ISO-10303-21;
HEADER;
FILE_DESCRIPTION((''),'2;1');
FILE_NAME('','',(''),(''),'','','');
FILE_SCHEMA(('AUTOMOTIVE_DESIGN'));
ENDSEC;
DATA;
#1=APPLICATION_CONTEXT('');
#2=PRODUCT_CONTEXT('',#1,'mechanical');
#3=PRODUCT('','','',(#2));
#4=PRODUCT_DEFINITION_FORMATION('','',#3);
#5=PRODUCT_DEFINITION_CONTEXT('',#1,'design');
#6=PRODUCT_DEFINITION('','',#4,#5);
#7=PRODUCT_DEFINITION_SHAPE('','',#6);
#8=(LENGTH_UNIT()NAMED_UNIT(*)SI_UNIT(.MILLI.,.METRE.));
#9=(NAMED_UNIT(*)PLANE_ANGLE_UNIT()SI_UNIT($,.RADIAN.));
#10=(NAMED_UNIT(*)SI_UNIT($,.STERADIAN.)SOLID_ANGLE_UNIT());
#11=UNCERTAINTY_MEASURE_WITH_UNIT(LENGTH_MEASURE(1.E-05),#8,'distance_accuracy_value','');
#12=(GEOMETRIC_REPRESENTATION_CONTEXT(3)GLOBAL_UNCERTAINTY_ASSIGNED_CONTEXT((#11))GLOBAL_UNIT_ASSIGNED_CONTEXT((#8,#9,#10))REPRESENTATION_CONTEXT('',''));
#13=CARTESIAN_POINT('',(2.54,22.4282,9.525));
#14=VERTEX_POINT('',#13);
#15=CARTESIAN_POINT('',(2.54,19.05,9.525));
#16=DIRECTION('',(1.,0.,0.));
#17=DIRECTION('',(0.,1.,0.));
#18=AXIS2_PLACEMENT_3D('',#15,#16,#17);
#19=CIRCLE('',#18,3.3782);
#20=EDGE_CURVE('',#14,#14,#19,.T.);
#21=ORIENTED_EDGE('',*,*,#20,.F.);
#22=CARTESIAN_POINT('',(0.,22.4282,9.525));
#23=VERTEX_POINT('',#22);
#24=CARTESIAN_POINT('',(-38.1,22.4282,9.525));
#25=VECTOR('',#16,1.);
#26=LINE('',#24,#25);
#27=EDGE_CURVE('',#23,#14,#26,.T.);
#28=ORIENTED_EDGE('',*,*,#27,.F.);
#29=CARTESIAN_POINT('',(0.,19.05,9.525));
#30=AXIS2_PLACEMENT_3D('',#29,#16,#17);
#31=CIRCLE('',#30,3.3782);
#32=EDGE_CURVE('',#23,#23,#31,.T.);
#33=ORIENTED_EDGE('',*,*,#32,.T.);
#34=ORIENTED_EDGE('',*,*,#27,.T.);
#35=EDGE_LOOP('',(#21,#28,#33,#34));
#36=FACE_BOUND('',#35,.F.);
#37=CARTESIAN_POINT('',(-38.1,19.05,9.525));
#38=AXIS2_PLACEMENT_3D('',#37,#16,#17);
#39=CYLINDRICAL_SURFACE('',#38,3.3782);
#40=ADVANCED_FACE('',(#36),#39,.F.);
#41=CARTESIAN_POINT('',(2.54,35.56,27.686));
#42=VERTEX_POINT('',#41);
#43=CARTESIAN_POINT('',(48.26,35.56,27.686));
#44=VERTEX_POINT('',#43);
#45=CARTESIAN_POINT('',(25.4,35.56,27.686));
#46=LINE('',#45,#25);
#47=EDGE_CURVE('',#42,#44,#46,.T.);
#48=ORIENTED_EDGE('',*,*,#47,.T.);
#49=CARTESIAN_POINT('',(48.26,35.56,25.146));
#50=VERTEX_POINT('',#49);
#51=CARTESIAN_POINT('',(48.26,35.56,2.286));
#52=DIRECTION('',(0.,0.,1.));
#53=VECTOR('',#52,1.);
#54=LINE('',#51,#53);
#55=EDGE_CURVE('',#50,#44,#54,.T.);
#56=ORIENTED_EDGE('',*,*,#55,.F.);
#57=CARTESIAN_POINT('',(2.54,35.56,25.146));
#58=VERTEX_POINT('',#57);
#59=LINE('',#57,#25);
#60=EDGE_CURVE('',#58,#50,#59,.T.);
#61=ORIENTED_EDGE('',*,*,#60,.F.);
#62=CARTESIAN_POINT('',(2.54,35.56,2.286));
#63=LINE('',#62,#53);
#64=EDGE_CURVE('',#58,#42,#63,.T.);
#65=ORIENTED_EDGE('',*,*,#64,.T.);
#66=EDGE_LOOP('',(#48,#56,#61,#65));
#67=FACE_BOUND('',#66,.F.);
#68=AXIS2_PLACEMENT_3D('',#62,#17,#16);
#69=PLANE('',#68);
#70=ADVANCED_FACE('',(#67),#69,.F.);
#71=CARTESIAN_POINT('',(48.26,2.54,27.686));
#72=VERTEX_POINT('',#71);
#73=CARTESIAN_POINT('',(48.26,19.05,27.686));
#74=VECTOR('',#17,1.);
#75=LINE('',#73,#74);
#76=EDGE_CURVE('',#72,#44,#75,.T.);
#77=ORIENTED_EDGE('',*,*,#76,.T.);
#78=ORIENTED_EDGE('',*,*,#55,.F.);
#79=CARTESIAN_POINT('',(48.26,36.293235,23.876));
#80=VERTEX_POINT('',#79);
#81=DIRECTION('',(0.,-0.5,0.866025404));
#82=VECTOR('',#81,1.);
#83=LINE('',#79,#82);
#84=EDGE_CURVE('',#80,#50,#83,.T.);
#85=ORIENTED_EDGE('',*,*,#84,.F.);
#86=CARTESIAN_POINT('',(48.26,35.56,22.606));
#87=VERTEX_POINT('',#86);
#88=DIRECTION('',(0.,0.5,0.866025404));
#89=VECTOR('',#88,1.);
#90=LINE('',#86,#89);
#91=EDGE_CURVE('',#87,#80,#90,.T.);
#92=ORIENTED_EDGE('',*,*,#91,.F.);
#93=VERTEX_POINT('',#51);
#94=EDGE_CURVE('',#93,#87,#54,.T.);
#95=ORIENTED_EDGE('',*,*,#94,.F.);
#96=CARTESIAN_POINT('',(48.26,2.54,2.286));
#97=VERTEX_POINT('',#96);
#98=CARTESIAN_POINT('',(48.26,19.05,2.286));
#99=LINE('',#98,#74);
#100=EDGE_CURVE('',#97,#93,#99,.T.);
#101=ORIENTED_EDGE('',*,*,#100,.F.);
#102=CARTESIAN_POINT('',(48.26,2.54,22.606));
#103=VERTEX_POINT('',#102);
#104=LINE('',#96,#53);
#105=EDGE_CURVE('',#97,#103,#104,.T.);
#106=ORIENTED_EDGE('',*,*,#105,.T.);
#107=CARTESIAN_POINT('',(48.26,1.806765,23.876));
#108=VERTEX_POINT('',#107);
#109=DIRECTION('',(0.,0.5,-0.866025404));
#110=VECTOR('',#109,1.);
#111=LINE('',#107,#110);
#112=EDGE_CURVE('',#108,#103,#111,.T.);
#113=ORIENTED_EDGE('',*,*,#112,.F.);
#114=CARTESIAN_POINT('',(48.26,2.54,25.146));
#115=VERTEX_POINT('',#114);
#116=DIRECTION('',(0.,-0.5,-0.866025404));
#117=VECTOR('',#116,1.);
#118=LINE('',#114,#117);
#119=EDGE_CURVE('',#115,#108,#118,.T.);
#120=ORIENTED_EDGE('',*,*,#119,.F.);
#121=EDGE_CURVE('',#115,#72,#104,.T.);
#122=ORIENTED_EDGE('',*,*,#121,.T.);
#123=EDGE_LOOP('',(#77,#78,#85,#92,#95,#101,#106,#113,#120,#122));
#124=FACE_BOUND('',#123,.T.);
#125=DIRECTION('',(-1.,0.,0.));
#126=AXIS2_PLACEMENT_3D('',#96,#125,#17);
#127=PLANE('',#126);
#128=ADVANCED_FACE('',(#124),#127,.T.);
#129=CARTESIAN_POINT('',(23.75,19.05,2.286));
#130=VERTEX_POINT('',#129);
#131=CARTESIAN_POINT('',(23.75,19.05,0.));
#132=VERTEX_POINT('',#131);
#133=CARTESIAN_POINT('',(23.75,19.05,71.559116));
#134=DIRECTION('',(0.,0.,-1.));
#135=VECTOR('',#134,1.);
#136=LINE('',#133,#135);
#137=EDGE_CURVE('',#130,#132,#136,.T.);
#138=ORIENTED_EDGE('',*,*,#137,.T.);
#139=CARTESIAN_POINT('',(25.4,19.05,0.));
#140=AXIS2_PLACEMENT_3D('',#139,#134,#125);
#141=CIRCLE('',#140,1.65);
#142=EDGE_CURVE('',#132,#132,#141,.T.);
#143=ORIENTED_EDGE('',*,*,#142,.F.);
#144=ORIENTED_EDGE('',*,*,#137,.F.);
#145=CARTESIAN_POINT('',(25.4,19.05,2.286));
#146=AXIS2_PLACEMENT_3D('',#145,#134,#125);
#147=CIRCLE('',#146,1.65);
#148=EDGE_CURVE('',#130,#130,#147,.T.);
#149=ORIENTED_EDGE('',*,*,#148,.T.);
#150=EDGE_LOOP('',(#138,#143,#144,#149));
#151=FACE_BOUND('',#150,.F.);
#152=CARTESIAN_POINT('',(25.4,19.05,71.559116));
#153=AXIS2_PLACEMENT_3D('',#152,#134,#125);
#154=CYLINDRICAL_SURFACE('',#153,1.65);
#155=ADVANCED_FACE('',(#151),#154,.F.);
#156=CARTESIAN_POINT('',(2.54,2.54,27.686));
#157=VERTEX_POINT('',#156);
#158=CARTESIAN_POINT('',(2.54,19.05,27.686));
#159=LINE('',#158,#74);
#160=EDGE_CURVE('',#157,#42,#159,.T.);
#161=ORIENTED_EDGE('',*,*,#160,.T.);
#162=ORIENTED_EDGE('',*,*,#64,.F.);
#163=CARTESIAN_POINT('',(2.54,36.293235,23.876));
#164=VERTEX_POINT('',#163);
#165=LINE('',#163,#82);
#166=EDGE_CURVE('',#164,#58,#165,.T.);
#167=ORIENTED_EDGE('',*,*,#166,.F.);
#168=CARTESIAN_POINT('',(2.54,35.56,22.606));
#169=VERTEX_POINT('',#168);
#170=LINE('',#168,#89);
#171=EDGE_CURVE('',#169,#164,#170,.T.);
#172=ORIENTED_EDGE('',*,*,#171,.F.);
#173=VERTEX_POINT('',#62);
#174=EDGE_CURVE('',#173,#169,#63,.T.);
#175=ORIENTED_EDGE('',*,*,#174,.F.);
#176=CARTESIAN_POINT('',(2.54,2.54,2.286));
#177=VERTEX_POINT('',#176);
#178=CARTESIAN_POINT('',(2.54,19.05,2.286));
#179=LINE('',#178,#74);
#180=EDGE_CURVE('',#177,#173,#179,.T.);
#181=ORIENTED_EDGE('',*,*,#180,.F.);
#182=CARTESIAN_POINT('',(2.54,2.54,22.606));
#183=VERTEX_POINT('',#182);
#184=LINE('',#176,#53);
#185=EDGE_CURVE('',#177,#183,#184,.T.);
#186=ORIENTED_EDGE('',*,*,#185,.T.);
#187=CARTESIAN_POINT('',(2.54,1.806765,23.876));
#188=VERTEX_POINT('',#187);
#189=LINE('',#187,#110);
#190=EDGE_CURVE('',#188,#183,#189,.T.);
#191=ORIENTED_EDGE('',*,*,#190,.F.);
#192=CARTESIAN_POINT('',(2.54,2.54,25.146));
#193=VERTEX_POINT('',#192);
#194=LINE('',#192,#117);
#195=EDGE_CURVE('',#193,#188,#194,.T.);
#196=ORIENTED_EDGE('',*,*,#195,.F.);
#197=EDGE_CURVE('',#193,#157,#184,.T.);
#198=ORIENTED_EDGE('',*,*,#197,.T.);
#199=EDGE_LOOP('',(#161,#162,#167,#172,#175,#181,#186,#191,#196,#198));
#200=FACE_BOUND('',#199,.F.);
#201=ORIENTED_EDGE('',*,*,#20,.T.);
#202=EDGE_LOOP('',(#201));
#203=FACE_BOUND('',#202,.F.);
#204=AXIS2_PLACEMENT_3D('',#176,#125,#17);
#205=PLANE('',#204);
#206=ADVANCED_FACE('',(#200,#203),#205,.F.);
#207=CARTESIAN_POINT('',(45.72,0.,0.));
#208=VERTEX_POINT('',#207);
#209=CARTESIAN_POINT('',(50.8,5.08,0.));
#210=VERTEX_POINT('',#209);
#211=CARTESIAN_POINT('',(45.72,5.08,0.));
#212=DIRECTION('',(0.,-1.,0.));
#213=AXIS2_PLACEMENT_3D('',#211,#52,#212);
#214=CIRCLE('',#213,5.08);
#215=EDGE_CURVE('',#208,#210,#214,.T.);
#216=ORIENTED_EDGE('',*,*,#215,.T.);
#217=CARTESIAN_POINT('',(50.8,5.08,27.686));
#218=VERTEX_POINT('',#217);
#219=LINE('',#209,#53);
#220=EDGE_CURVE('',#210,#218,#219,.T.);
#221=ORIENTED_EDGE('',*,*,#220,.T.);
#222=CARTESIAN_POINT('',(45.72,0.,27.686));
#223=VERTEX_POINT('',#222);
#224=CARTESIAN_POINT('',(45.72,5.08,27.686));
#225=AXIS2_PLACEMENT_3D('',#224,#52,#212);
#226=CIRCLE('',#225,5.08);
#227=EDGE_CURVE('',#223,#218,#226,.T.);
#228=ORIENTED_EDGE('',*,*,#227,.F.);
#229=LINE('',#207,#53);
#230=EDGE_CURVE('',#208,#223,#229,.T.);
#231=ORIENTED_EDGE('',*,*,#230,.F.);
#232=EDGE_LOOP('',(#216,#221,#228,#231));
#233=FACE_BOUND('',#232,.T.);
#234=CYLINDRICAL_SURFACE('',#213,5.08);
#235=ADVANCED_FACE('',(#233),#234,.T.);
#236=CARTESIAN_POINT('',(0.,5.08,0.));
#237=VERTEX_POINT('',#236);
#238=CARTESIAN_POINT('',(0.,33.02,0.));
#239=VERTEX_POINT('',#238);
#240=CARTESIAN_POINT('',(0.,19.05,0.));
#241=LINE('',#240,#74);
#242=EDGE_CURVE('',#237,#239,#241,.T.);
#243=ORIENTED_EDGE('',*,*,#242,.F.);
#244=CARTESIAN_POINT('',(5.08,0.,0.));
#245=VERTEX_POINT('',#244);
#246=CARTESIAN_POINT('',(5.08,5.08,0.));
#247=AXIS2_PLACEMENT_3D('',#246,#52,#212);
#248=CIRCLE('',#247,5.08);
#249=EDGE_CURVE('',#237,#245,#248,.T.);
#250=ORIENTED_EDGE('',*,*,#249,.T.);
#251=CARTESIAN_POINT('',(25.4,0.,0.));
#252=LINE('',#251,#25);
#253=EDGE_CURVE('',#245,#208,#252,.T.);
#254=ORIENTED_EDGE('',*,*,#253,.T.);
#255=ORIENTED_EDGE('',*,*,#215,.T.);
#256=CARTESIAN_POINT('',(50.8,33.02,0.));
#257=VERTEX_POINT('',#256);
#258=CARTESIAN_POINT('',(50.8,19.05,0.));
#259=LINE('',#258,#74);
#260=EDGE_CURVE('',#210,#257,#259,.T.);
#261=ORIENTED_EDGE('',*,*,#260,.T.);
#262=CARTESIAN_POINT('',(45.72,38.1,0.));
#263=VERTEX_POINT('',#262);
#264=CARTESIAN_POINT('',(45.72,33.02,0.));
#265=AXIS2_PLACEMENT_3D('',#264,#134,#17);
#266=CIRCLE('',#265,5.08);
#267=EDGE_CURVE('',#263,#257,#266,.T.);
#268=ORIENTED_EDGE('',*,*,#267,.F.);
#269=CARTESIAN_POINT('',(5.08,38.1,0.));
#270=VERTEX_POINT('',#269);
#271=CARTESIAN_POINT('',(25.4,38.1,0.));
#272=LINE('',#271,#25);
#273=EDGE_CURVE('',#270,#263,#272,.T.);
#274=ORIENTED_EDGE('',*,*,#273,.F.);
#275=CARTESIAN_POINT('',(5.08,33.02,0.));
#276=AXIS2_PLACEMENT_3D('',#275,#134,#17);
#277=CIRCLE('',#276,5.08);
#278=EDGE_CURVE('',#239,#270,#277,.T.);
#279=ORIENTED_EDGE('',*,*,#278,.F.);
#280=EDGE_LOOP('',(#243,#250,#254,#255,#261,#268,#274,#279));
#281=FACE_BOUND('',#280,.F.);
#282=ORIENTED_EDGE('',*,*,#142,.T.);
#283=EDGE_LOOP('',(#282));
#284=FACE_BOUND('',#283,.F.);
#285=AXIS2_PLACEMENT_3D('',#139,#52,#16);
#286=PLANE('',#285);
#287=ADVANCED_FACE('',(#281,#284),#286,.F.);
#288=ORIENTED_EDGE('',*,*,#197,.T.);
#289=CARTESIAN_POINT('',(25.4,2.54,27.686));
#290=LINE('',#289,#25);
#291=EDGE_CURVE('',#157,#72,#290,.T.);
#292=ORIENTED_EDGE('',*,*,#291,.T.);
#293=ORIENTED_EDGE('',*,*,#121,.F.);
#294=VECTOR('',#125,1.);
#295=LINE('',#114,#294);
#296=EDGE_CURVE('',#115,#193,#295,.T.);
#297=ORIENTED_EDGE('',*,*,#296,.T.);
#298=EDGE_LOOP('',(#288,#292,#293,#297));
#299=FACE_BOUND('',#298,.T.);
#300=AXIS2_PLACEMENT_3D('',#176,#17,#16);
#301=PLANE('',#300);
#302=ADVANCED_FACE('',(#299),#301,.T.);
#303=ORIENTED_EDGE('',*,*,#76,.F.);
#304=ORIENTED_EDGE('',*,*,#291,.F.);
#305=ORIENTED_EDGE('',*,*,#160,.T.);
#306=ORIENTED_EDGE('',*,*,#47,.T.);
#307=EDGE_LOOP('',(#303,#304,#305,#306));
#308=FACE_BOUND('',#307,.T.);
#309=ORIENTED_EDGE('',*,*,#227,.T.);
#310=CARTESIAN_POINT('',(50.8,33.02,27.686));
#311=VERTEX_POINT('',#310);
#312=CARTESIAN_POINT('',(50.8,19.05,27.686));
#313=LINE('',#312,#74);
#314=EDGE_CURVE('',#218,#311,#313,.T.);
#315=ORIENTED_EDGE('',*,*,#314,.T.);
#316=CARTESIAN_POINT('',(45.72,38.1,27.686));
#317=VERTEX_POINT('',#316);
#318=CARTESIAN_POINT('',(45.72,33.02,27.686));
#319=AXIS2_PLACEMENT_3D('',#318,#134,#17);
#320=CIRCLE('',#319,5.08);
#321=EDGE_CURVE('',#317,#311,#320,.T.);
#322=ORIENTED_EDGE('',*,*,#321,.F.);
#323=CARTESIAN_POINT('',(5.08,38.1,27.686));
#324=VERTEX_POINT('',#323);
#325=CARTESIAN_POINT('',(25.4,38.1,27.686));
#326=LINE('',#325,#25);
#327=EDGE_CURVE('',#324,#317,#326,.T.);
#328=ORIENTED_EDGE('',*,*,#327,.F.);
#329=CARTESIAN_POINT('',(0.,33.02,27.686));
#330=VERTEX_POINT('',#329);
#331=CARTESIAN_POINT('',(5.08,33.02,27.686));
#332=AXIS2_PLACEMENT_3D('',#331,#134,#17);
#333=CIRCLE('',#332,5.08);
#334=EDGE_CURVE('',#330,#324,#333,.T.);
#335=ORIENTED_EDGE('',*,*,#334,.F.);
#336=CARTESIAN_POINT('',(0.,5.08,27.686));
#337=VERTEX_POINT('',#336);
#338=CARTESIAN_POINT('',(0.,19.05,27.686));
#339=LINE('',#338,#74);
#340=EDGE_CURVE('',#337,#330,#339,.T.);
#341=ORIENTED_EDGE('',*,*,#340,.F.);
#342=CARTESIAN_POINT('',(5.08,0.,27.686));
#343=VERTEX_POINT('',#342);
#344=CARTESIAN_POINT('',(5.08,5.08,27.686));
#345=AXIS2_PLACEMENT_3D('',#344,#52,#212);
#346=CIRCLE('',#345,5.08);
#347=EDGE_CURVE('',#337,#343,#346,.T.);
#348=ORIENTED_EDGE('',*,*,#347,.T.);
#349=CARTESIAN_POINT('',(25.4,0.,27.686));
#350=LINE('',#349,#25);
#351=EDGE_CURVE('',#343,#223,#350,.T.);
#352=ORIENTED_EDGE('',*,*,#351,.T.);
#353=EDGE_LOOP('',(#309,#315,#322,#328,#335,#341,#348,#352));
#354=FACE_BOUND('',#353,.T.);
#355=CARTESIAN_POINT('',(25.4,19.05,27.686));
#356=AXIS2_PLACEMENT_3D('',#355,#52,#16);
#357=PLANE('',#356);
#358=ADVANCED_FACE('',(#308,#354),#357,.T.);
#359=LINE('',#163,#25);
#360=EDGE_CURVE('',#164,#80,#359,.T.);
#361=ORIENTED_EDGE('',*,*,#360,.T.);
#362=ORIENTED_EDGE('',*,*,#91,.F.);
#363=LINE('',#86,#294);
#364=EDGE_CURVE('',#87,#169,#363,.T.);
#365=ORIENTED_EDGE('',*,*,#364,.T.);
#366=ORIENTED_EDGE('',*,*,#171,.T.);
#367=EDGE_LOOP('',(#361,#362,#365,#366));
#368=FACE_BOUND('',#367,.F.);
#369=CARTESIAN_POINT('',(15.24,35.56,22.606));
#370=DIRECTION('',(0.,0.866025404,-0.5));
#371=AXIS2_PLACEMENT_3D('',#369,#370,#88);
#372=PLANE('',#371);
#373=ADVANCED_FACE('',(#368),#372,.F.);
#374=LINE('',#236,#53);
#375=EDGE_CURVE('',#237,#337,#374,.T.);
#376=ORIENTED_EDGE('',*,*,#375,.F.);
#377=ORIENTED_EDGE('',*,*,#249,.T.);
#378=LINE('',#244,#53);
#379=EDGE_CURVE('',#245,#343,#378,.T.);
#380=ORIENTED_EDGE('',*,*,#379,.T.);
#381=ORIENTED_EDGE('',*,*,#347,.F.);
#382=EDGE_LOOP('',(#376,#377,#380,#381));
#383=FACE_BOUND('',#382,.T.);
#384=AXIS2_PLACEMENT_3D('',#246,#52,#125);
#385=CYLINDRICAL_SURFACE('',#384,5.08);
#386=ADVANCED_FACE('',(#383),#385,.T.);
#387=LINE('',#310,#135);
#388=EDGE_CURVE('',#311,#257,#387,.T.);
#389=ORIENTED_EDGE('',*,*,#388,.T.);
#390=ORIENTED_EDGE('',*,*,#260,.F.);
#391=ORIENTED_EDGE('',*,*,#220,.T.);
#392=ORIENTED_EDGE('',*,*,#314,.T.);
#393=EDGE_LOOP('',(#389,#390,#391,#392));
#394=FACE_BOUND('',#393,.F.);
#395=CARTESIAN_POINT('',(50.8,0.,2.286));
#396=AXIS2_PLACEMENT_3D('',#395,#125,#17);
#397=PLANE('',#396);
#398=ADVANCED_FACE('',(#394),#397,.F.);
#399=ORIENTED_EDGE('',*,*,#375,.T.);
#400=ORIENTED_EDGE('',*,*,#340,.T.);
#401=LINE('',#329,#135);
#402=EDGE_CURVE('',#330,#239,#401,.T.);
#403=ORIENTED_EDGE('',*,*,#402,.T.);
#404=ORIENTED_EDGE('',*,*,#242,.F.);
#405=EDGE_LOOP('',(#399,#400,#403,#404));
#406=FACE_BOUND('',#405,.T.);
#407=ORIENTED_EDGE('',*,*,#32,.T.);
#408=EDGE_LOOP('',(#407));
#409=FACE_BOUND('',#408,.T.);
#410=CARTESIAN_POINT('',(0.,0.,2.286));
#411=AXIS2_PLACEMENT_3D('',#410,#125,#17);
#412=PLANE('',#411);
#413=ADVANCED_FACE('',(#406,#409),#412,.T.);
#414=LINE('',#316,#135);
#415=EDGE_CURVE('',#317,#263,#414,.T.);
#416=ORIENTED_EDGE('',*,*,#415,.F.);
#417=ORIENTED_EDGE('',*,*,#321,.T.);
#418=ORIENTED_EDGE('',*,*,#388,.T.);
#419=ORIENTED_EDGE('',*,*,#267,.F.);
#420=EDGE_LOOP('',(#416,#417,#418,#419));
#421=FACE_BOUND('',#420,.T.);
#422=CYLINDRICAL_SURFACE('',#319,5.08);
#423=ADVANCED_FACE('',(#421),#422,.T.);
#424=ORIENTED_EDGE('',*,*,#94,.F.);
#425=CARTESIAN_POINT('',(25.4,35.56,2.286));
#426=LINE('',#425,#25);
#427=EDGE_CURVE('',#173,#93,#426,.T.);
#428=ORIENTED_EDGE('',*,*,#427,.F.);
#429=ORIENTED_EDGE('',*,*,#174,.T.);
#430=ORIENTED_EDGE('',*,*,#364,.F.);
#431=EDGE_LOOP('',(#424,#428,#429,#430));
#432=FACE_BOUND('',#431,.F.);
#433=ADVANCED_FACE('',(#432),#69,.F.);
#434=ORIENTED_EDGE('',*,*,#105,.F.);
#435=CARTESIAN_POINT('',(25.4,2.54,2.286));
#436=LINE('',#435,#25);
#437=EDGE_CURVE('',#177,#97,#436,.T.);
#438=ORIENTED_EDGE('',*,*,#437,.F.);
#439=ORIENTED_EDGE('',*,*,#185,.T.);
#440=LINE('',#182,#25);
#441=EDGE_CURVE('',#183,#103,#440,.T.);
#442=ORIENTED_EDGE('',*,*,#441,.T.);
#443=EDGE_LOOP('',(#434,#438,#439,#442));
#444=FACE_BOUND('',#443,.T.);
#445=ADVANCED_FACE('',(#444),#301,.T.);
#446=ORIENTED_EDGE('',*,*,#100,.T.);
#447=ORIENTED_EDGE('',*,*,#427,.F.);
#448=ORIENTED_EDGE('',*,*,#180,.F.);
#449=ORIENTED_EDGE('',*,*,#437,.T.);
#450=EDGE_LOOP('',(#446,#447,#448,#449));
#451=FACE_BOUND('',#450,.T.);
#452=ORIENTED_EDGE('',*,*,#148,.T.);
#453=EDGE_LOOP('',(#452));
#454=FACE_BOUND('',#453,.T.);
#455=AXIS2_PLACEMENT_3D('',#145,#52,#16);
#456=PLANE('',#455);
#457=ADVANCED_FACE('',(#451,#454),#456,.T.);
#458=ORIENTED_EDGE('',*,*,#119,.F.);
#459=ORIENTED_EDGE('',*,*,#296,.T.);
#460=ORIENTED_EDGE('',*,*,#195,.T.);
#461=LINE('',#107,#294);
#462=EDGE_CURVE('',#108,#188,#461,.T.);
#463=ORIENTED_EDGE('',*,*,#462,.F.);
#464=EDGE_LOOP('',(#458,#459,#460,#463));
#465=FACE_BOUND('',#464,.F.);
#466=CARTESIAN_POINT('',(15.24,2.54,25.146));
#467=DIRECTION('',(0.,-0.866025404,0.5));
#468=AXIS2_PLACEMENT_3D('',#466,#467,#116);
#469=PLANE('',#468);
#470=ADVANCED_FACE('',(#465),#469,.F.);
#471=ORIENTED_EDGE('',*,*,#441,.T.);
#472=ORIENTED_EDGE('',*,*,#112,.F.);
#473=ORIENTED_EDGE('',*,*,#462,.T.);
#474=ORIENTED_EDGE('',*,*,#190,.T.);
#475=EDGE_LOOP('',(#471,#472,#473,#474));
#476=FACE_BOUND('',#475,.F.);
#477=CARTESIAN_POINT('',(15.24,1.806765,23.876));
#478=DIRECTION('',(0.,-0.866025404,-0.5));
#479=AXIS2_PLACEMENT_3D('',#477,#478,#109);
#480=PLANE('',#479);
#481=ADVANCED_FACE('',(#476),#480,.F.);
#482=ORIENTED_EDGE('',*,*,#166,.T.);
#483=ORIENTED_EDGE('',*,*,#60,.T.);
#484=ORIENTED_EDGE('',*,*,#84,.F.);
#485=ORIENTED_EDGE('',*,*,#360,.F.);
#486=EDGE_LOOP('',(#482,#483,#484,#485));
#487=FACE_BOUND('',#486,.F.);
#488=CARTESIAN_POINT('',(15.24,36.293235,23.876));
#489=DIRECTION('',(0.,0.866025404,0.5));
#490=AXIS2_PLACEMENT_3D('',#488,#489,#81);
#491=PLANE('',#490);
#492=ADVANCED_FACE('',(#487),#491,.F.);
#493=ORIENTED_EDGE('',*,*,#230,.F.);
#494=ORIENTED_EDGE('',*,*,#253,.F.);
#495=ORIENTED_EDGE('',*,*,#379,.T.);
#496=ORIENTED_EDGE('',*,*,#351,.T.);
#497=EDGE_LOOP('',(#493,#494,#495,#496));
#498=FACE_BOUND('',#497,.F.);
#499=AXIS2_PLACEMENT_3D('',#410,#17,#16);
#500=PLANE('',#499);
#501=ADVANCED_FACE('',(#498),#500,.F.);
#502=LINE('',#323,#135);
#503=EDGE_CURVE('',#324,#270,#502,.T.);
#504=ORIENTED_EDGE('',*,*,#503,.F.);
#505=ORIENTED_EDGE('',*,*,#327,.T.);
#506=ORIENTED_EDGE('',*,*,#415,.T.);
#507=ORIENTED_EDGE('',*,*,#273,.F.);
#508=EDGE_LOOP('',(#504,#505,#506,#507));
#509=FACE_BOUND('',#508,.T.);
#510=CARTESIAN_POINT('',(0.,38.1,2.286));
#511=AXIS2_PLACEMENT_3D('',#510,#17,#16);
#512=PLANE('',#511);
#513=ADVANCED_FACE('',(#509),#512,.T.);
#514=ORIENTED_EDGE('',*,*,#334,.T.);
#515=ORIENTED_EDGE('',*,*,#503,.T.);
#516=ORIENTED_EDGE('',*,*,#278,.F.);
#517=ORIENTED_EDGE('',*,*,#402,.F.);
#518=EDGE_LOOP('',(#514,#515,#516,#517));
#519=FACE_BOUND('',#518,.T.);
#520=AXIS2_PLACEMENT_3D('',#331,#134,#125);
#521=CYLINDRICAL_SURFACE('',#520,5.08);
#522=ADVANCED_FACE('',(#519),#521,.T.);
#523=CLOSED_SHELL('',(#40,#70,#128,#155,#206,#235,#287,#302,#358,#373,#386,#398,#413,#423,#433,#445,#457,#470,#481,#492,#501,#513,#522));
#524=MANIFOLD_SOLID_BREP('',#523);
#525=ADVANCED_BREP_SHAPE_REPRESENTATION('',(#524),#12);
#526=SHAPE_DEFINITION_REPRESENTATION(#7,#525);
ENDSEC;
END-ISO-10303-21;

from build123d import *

# Parameters (mm, degrees)
F0_W          = 50.8
F0_H          = 38.1
F1_DEPTH      = 2.286
F2_W          = 50.8
F2_H          = 38.1
F2_W_2        = 45.72
F2_H_2        = 33.02
F3_DEPTH      = 25.4
F6_DEPTH      = 12.7
F6_DEPTH_BACK = 33.02
F8_D          = 3.3
F10_D         = 6.7564
F10_DEPTH     = 38.1
F10_TIP       = 2.0298273432
F11_R         = 5.08


with BuildPart() as f1:
    # F0 (on Top) → F1 (new body)
    with BuildSketch(Plane.XY):
        with Locations((25.4, 19.05)):
            Rectangle(F0_W, F0_H)
    extrude(amount=F1_DEPTH)

    # F2 (on face) → F3 (join)
    with BuildSketch(Plane.XY.offset(2.286)):
        with Locations((25.4, 19.05)):
            Rectangle(F2_W, F2_H)
        with Locations((25.4, 19.05)):
            Rectangle(F2_W_2, F2_H_2, mode=Mode.SUBTRACT)
    extrude(amount=F3_DEPTH)

    # F5 (on offset) → F6 (cut, two sides)
    with BuildSketch(Plane.YZ.offset(15.24)) as f6_sk:
        Polygon((2.54, 22.606), (2.54, 25.146), (1.8067651581, 23.876), align=None)
        Polygon((36.2932348419, 23.876), (35.56, 25.146), (35.56, 22.606), align=None)
    extrude(amount=-F6_DEPTH, mode=Mode.SUBTRACT)
    extrude(f6_sk.sketch, amount=F6_DEPTH_BACK, mode=Mode.SUBTRACT)

    # F8 (through all)
    with Locations(Plane.XY.offset(2.286)):
        with Locations((25.4, 19.05)):
            Hole(F8_D / 2)

    # F10
    with Locations(Plane(origin=(0, 0, 0), x_dir=(0, -1, 0), z_dir=(-1, 0, 0))):
        with Locations((-19.05, 9.525)):
            Hole(F10_D / 2, depth=F10_DEPTH)
            with Locations((0, 0, -(F10_DEPTH + F10_TIP / 2))):  # 118° drill point
                Cone(0, F10_D / 2, F10_TIP, mode=Mode.SUBTRACT)

    # F11
    f11_edges = [f1.edges().sort_by_distance(p)[0] for p in [
        (0, 0, 13.843),
        (50.8, 0, 13.843),
        (50.8, 38.1, 13.843),
        (0, 38.1, 13.843),
    ]]
    fillet(f11_edges, radius=F11_R)


solid = f1.part
